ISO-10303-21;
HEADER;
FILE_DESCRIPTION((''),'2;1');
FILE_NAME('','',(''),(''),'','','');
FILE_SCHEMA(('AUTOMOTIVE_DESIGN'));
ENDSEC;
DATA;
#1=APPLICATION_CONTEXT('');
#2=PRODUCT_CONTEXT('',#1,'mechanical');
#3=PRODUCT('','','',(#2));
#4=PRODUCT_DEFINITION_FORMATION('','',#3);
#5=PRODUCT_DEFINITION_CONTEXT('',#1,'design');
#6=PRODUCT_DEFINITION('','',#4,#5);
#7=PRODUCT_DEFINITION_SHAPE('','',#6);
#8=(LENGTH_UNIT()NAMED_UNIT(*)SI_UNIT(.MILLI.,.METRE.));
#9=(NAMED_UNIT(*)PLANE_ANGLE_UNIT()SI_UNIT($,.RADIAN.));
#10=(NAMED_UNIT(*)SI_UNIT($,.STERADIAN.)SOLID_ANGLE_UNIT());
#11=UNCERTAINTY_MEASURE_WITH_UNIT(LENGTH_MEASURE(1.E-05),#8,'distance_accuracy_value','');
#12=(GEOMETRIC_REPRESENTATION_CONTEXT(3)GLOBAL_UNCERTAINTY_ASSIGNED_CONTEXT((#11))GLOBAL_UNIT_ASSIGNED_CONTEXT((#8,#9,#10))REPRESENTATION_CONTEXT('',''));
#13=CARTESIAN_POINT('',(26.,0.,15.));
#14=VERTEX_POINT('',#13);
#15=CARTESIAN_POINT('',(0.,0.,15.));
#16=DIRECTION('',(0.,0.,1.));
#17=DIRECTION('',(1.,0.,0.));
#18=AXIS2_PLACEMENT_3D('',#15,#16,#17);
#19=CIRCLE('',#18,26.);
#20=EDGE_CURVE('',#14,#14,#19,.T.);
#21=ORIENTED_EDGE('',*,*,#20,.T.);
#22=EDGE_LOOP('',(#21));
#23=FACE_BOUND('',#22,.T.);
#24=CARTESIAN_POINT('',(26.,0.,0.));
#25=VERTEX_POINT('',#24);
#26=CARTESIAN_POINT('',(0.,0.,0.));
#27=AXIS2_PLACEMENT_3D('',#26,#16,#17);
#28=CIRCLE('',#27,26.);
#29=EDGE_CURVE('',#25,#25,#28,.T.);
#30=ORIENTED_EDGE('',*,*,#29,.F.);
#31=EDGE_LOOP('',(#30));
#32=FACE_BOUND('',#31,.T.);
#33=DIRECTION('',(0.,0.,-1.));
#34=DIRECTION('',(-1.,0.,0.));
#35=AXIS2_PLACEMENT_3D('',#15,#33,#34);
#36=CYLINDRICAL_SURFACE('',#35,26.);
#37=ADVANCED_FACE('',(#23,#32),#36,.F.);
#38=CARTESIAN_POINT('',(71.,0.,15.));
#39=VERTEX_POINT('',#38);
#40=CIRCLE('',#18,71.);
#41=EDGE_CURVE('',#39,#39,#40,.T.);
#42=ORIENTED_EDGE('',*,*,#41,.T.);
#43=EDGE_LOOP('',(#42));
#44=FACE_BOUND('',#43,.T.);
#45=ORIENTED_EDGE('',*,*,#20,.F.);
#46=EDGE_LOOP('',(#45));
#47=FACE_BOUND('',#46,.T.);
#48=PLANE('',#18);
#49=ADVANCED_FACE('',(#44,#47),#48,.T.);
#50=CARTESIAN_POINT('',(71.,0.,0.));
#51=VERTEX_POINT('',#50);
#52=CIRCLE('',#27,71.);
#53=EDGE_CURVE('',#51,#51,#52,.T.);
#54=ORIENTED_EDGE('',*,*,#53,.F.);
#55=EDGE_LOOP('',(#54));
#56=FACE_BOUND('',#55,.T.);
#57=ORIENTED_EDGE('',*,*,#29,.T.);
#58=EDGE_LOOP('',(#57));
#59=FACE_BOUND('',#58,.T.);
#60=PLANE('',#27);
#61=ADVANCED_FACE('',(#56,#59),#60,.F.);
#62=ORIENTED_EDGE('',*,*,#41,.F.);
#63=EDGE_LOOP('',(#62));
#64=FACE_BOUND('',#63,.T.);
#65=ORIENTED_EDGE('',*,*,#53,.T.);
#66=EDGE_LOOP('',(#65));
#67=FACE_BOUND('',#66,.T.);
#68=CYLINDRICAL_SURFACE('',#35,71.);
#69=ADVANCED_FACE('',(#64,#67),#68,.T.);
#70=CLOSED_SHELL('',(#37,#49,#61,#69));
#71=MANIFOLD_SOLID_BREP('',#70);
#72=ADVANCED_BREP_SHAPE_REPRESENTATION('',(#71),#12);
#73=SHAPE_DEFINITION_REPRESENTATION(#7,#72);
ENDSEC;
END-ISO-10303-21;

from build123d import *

# Parameters (mm, degrees)
SCHIZZO1_R                   = 71
SCHIZZO1_R_2                 = 26
ESTRUSIONE_ESTRUSIONE1_DEPTH = 15


with BuildPart() as part:
    # Schizzo1 → Estrusione-Estrusione1 (new body)
    with BuildSketch(Plane.XY):
        Circle(SCHIZZO1_R)
        Circle(SCHIZZO1_R_2, mode=Mode.SUBTRACT)
    extrude(amount=ESTRUSIONE_ESTRUSIONE1_DEPTH)


solid = part.part
